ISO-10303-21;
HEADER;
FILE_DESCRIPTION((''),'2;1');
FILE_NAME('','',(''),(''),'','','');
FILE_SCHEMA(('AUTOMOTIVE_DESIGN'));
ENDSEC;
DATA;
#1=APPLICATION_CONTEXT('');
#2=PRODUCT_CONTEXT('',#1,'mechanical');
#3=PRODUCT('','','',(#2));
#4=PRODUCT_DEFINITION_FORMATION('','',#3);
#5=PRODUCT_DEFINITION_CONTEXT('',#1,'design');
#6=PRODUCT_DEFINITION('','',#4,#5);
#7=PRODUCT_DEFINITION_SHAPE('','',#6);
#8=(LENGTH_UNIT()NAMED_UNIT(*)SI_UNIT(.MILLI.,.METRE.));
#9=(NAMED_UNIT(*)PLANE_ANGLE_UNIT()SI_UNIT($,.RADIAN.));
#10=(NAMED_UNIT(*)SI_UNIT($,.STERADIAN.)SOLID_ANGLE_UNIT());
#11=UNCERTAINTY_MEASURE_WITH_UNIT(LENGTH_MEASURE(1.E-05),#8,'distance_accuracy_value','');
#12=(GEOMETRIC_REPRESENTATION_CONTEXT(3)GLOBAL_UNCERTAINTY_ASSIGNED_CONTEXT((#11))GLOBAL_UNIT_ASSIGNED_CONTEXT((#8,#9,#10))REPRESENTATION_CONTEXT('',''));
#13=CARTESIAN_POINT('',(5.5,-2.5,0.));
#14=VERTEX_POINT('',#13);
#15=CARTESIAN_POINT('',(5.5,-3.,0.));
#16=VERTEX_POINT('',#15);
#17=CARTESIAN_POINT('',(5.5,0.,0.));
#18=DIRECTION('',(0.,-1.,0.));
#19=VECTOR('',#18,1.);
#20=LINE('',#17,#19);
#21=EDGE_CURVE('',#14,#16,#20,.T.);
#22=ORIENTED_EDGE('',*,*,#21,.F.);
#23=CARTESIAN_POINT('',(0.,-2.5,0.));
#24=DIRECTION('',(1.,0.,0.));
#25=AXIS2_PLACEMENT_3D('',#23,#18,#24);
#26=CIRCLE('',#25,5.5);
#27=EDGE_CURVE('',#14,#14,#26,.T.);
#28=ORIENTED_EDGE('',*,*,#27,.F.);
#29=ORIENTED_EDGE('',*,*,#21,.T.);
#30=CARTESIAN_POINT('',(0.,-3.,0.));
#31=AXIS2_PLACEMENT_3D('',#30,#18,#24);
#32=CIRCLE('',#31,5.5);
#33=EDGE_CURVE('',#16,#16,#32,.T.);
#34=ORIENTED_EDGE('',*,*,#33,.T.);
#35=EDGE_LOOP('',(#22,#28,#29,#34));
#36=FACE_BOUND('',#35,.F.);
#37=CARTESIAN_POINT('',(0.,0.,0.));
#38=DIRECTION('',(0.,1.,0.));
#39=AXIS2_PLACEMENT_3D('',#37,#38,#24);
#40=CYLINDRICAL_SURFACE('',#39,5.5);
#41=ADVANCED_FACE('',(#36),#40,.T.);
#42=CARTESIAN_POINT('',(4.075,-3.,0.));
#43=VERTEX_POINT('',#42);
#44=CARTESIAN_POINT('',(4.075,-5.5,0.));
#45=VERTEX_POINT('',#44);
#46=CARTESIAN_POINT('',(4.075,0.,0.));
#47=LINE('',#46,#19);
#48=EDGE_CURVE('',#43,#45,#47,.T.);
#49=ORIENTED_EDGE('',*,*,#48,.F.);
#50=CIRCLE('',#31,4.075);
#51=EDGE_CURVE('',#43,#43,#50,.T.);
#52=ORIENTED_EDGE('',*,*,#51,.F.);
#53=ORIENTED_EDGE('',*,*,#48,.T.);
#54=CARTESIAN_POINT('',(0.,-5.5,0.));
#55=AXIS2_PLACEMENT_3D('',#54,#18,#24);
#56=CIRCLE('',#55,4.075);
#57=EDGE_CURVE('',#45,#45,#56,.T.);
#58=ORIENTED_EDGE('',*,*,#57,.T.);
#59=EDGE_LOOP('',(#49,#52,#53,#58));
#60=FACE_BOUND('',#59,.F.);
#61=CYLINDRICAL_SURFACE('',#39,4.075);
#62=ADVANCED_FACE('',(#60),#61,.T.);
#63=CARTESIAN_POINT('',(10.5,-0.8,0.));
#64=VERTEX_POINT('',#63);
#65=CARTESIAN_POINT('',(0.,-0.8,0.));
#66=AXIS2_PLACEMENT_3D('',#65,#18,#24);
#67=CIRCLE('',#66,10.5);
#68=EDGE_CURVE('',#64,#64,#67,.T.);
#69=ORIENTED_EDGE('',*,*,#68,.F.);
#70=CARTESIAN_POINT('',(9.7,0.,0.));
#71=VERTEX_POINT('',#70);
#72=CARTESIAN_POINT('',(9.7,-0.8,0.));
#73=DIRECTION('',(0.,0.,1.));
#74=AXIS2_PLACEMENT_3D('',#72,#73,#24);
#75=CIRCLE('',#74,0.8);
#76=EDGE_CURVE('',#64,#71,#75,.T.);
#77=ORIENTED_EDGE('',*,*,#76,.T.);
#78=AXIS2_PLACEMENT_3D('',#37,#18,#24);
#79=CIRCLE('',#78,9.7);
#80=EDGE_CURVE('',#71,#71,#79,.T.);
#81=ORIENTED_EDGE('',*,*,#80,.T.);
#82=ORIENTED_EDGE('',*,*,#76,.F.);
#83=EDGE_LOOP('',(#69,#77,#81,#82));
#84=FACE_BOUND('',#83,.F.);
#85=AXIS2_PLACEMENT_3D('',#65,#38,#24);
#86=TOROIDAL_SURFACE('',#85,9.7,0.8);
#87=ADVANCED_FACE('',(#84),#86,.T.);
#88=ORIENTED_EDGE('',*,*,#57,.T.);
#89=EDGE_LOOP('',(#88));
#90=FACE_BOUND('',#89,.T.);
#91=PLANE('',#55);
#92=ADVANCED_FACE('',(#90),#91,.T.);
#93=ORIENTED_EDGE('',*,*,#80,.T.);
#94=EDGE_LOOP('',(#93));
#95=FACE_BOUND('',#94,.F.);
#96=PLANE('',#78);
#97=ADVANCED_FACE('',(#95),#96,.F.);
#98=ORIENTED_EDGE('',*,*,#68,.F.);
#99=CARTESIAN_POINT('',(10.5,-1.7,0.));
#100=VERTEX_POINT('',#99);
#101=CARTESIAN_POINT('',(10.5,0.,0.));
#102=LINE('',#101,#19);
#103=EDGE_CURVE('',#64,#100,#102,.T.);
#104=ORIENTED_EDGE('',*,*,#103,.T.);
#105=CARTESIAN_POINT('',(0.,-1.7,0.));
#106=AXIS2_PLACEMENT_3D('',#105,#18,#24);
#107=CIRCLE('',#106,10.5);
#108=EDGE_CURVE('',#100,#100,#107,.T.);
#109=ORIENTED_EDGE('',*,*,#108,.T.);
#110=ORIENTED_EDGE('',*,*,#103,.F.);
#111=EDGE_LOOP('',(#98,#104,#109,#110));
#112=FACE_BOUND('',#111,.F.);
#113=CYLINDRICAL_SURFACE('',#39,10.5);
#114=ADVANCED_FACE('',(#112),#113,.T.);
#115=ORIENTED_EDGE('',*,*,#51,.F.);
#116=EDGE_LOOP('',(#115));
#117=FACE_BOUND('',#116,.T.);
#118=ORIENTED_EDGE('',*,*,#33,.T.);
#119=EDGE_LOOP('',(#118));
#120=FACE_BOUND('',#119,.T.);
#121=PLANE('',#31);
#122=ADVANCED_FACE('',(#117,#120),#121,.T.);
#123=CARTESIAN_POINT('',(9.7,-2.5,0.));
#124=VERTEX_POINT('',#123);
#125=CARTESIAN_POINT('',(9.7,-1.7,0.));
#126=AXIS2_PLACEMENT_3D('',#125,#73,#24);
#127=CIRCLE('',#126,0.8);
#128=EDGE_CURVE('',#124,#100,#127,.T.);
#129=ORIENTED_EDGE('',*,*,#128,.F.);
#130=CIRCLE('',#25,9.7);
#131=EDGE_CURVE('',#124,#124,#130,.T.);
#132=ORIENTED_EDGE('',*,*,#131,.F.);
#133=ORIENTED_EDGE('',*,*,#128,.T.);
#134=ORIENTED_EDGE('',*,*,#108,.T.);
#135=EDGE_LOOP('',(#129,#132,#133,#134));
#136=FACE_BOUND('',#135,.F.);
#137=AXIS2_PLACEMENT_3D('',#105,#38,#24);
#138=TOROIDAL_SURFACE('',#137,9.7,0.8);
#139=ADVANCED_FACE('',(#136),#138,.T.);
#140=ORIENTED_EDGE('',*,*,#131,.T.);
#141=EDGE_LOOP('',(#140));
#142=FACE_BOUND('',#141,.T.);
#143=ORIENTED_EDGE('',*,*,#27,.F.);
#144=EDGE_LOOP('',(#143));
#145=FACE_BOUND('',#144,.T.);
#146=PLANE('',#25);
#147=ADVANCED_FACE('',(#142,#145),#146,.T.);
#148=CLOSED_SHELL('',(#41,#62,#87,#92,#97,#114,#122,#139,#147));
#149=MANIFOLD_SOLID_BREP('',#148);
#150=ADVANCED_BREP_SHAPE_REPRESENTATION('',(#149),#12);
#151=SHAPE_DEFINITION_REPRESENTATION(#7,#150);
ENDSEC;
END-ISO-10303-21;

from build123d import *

# Parameters (mm, degrees)
F0_R     = 10.5
F0_R_2   = 5.5
F2_DEPTH = 2.5
F1_R     = 5.5
F1_R_2   = 4.075
F3_DEPTH = 3
F4_DEPTH = 5.5
F5_R     = 0.8


with BuildPart() as f2:
    # F0 (on Front) → F2 (new body)
    with BuildSketch(Plane.XZ):
        Circle(F0_R)
        Circle(F0_R_2, mode=Mode.SUBTRACT)
    extrude(amount=F2_DEPTH)

    # F1 (on face) → F3 (join)
    with BuildSketch(Plane.XZ):
        Circle(F1_R)
        Circle(F1_R_2, mode=Mode.SUBTRACT)
    extrude(amount=F3_DEPTH)

    # F1 (on face) → F4 (join)
    with BuildSketch(Plane.XZ):
        Circle(F1_R_2)
    extrude(amount=F4_DEPTH)

    # F5
    f5_edges = [f2.edges().sort_by_distance(p)[0] for p in [
        (-10.5, 0, 0),
        (-10.5, -2.5, 0),
    ]]
    fillet(f5_edges, radius=F5_R)


solid = f2.part
